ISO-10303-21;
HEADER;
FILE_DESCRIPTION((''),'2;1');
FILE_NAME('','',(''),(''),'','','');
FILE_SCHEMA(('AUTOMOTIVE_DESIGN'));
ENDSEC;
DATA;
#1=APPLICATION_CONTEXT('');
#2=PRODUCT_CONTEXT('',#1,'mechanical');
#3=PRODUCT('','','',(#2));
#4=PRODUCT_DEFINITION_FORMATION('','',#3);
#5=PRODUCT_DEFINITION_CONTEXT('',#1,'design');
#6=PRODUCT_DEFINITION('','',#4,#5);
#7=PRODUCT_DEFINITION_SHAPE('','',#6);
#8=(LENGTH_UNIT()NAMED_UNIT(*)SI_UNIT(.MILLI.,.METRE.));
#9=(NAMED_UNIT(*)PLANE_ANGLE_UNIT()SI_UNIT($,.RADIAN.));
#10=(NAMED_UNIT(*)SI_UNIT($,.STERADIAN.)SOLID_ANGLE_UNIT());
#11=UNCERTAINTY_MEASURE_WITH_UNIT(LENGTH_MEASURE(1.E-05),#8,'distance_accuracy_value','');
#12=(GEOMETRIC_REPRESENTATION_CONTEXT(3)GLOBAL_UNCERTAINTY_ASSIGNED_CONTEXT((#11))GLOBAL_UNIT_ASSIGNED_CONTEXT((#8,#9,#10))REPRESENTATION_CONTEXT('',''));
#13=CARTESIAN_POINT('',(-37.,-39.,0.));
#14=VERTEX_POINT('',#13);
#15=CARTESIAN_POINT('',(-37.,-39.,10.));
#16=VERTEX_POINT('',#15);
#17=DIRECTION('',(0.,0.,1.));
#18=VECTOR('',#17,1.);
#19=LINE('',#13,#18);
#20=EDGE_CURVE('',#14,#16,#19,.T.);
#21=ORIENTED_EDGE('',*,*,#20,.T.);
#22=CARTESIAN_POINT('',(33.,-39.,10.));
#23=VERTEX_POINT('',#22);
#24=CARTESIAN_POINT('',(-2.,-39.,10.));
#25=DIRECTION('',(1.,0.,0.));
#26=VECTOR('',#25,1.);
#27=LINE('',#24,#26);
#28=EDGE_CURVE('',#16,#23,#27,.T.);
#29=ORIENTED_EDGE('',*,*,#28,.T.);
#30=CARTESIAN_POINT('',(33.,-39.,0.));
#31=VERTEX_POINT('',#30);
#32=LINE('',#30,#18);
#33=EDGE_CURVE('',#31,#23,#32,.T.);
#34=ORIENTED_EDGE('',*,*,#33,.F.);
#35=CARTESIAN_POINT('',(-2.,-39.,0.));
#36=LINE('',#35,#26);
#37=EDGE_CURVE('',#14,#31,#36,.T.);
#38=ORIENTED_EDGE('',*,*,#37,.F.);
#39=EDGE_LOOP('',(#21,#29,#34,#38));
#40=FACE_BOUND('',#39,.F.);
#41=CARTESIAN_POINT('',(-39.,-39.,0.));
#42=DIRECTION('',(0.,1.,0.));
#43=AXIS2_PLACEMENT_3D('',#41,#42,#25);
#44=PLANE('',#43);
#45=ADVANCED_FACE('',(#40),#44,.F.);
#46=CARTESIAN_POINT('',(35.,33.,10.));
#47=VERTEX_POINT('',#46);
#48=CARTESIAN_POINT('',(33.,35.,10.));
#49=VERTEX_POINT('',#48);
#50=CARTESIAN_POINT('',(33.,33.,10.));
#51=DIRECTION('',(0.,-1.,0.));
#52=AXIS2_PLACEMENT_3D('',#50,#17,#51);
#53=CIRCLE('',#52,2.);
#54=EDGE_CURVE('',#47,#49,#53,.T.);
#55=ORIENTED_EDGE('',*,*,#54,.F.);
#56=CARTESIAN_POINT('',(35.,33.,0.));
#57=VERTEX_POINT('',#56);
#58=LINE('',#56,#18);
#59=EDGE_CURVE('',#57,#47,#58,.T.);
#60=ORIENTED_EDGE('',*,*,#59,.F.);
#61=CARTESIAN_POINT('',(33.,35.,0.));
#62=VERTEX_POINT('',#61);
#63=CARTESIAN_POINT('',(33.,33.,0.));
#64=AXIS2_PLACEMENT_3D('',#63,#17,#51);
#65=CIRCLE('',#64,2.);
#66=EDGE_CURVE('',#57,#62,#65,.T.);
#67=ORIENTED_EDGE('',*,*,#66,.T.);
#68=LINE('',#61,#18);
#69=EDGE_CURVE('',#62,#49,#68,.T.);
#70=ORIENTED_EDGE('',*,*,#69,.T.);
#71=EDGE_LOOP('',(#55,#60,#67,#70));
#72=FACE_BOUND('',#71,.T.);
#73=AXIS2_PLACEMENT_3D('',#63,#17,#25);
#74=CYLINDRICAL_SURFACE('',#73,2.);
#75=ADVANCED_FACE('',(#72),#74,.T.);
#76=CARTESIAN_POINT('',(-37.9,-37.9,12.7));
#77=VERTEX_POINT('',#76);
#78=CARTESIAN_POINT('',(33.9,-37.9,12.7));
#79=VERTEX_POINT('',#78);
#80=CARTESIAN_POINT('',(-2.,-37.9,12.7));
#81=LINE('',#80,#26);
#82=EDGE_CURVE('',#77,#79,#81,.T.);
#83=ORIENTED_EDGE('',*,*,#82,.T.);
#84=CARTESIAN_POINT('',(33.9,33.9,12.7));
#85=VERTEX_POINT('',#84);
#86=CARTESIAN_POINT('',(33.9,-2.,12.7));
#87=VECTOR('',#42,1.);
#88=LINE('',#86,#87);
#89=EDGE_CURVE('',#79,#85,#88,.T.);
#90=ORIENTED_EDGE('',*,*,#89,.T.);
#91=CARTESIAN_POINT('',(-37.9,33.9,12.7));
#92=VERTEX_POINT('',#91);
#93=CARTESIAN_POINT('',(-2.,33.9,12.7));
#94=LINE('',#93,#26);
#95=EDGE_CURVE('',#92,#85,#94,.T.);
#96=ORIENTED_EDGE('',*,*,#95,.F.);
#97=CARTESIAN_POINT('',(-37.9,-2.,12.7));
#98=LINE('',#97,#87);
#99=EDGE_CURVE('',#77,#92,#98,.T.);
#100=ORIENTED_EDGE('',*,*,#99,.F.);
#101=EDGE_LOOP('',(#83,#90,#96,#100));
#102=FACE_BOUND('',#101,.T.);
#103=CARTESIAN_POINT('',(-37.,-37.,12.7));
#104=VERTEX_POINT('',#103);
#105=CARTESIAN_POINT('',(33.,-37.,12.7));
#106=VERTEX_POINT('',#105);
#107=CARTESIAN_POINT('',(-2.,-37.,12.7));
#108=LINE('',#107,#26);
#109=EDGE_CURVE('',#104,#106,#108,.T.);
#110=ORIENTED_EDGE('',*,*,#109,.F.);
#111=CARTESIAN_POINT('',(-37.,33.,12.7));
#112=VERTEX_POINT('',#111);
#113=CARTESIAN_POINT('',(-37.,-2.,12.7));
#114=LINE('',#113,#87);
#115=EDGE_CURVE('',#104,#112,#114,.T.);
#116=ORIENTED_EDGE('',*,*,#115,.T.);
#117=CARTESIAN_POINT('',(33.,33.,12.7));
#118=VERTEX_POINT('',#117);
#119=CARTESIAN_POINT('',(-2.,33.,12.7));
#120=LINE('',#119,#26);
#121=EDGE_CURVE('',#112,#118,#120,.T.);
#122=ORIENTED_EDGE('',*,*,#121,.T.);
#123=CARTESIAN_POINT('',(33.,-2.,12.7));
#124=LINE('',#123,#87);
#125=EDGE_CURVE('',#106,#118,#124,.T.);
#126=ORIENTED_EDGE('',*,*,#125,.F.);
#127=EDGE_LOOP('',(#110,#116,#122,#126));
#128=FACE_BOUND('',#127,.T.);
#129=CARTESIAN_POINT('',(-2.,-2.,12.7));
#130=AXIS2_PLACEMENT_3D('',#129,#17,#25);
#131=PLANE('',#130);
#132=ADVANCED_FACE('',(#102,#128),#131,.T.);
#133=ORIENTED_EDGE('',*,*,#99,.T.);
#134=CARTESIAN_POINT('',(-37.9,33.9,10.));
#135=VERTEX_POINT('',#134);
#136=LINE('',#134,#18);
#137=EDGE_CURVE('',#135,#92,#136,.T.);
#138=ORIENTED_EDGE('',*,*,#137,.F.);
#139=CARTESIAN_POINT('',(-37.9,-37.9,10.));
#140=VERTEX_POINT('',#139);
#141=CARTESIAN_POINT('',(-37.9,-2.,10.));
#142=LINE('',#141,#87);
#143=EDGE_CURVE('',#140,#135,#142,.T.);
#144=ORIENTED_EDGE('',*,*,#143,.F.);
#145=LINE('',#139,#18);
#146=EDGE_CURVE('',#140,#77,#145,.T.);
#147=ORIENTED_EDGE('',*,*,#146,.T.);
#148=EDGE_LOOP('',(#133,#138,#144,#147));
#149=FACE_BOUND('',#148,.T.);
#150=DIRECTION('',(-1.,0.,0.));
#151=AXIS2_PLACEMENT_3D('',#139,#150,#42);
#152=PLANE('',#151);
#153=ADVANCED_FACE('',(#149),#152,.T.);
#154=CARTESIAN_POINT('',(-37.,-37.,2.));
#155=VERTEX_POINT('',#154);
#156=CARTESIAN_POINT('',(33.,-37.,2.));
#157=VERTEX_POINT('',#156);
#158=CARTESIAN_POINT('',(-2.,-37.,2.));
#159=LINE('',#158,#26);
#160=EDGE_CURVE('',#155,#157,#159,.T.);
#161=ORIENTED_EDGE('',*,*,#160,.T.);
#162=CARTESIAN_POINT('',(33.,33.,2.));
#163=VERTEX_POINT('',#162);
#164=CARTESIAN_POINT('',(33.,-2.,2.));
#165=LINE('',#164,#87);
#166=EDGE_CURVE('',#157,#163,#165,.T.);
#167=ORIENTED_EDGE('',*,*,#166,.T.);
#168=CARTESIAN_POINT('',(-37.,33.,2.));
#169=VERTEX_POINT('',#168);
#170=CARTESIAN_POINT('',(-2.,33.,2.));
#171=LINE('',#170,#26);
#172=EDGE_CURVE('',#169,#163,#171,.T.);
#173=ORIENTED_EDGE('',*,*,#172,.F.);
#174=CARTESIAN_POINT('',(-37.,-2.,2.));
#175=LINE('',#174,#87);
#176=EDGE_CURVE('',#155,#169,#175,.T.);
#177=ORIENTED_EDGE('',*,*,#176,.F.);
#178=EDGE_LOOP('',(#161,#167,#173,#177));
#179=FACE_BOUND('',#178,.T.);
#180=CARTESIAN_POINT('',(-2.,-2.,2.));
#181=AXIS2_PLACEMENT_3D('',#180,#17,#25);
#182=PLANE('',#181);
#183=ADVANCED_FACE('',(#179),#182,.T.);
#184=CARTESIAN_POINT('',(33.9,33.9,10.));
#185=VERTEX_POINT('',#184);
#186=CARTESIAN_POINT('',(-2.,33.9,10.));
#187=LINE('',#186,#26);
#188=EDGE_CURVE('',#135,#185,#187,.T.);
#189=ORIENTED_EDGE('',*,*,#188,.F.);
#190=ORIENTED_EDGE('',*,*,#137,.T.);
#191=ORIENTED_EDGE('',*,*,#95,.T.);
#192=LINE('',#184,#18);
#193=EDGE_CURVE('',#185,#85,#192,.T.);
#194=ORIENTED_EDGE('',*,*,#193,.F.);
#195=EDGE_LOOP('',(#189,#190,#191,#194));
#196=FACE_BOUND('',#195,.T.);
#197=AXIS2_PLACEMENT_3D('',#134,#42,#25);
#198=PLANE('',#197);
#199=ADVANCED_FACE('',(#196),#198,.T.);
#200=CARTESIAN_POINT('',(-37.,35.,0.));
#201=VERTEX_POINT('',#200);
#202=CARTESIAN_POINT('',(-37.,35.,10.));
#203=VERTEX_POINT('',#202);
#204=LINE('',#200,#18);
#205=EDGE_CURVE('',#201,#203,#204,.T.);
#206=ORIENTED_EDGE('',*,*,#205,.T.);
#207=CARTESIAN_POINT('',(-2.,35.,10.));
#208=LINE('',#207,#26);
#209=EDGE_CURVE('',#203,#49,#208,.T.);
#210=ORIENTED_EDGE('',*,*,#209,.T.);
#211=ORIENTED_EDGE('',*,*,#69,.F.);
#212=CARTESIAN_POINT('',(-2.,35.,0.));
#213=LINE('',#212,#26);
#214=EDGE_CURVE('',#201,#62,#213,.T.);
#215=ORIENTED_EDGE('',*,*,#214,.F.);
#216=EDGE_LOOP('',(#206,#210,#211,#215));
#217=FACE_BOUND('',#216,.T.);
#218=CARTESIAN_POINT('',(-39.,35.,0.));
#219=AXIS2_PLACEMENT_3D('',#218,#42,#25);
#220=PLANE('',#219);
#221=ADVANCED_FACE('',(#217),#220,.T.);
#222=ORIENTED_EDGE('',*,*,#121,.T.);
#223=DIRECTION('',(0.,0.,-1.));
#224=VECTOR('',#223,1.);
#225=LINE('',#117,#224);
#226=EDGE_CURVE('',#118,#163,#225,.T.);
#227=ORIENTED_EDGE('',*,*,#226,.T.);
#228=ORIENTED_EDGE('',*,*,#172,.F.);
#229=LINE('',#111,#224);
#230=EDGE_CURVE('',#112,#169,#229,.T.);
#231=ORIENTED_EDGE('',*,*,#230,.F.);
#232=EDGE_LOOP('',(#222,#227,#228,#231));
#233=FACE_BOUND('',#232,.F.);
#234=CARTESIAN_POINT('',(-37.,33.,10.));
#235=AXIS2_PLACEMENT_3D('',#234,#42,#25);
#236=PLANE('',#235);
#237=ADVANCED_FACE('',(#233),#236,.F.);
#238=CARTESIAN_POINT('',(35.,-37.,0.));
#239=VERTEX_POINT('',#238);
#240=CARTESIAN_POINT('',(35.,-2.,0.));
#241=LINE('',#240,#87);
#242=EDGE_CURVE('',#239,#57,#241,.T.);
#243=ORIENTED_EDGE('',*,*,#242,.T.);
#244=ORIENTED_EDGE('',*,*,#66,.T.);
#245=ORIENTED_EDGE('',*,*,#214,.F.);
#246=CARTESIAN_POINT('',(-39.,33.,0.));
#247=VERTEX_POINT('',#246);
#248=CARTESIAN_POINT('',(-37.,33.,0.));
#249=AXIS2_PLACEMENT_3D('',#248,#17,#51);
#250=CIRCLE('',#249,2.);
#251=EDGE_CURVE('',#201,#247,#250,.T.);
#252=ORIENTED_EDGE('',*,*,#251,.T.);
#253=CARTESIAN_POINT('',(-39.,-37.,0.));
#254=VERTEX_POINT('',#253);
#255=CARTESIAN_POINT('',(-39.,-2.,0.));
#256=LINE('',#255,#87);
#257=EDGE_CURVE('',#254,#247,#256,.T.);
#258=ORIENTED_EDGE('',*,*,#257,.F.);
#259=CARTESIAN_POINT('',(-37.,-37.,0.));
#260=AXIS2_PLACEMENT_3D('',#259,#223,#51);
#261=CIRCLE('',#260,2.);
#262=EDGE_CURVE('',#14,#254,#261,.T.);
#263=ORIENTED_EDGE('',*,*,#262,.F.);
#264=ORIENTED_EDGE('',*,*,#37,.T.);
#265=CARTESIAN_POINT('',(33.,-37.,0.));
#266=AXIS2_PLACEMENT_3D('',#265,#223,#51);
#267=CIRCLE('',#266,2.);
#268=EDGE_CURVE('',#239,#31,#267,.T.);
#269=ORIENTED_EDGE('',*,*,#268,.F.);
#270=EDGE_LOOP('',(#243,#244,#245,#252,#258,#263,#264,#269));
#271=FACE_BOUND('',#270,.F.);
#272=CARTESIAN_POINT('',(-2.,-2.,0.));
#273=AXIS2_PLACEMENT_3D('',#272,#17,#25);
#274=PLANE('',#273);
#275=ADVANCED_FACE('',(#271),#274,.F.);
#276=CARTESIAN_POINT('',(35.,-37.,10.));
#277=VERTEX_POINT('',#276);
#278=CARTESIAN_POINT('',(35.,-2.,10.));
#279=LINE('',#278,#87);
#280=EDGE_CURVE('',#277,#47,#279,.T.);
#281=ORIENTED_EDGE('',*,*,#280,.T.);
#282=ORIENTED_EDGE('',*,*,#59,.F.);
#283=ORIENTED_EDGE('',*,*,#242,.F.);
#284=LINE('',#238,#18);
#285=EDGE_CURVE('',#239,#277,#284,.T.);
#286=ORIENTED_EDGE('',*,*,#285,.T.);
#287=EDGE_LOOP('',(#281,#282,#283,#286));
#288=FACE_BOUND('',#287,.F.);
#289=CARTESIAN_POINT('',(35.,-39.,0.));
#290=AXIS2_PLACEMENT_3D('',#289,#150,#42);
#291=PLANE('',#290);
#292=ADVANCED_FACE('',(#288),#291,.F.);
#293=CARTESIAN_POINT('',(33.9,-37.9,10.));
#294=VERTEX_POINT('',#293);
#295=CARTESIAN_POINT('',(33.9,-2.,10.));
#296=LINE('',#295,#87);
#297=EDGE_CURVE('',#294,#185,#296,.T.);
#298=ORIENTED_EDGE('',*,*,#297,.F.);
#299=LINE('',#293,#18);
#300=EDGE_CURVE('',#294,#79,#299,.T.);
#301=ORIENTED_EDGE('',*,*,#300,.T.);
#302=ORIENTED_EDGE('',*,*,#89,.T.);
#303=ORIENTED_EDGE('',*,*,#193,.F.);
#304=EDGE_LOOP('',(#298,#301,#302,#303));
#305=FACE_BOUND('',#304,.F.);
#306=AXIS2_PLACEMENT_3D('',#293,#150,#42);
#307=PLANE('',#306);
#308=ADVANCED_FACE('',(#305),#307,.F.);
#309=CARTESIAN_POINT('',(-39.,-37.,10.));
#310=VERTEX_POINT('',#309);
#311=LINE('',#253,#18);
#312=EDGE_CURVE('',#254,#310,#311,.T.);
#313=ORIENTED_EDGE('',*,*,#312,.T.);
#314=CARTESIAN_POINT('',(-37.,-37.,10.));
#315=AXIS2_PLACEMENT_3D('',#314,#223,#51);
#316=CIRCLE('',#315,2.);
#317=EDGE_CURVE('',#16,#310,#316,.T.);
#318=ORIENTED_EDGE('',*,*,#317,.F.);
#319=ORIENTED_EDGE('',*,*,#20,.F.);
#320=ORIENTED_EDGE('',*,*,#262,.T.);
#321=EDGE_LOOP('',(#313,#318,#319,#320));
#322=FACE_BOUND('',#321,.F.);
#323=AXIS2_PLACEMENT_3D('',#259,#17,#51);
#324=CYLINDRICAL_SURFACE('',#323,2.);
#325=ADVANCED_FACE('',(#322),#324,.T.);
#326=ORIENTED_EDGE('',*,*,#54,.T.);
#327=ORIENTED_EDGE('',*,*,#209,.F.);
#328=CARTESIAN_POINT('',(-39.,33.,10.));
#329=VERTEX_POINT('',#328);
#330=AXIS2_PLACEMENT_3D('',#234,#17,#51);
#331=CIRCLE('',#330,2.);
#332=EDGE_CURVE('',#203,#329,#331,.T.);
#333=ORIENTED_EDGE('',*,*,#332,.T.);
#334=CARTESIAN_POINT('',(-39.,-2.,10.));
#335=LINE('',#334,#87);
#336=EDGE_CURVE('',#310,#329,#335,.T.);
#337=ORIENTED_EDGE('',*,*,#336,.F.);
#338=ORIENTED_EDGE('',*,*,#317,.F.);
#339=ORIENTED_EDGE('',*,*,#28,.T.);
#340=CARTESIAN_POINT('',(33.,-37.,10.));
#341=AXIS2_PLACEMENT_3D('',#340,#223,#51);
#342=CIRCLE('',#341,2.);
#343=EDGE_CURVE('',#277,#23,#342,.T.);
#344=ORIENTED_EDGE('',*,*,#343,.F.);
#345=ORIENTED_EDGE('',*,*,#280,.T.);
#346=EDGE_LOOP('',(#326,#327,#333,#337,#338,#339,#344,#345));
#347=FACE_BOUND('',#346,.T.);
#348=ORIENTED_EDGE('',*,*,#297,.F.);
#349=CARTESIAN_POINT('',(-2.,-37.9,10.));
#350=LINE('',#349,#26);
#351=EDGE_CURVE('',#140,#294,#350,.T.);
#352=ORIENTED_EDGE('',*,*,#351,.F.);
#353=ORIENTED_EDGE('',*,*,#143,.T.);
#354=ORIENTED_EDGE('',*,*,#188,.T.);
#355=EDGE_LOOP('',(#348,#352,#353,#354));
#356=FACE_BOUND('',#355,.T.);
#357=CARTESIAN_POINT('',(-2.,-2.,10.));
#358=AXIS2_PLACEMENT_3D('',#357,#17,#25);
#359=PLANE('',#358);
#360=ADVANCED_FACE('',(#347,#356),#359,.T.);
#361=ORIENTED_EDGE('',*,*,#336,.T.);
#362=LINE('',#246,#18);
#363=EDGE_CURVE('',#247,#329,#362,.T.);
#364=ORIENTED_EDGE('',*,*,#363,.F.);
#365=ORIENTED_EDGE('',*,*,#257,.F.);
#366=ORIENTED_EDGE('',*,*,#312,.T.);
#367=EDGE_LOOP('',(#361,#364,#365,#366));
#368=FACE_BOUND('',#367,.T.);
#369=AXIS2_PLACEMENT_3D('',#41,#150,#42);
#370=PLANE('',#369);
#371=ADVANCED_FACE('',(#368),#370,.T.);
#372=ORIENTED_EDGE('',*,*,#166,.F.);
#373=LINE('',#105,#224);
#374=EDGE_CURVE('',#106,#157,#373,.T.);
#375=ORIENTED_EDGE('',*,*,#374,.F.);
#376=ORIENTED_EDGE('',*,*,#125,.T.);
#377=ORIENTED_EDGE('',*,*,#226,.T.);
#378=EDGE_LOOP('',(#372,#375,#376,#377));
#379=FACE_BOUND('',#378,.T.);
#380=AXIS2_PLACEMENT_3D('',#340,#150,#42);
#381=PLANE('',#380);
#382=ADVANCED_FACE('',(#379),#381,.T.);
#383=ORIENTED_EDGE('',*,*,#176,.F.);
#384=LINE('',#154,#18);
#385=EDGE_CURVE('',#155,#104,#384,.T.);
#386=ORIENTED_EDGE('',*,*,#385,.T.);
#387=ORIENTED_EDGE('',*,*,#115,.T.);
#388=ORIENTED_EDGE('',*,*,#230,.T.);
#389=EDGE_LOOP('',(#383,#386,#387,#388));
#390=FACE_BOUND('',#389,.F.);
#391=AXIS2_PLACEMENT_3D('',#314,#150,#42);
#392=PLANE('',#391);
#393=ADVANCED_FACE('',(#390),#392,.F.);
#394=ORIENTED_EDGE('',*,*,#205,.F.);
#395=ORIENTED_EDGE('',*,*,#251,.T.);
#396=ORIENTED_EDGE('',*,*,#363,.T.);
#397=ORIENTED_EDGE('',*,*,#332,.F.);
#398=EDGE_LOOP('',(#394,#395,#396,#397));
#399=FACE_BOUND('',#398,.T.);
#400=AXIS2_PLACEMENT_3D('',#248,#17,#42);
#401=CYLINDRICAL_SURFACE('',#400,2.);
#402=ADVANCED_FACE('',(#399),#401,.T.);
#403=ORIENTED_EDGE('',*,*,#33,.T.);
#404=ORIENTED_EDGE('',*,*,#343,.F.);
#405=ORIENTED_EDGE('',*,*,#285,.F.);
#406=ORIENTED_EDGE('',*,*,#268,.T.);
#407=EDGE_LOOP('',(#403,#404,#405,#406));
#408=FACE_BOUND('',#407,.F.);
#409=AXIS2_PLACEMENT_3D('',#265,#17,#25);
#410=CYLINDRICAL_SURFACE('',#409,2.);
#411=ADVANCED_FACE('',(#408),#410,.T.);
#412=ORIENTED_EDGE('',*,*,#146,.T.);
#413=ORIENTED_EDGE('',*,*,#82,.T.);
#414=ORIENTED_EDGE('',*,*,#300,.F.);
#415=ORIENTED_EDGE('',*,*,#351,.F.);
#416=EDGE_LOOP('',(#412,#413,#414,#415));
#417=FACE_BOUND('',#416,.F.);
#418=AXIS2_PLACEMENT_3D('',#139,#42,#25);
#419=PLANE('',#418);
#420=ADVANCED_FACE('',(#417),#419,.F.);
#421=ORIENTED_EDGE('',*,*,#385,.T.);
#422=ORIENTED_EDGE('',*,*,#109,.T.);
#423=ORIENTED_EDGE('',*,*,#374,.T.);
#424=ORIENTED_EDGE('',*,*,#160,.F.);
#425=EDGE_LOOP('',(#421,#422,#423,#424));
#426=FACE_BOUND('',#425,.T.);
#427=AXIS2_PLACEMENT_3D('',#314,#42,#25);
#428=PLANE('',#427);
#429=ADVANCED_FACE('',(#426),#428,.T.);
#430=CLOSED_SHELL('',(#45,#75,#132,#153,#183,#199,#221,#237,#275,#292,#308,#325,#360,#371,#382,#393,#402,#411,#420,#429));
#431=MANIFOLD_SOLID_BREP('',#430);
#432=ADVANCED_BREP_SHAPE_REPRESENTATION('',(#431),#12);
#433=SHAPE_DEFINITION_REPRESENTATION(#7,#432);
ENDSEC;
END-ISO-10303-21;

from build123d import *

# Parameters (mm, degrees)
F0_W     = 74
F0_H     = 74
F0_W_2   = 70
F0_H_2   = 70
F1_DEPTH = 10
F2_DEPTH = 2
F3_W     = 71.8
F3_H     = 71.8
F3_W_2   = 70
F3_H_2   = 70
F4_DEPTH = 2.7
F5_R     = 2


with BuildPart() as f1:
    # F0 (on Top) → F1 (new body)
    with BuildSketch(Plane.XY):
        with Locations((-2, -2)):
            Rectangle(F0_W, F0_H)
        with Locations((-2, -2)):
            Rectangle(F0_W_2, F0_H_2, mode=Mode.SUBTRACT)
    extrude(amount=F1_DEPTH)

    # F0 (on Top) → F2 (join)
    with BuildSketch(Plane.XY):
        with Locations((-2, -2)):
            Rectangle(F0_W_2, F0_H_2)
    extrude(amount=F2_DEPTH)

    # F3 (on face) → F4 (join)
    with BuildSketch(Plane.XY.offset(10)):
        with Locations((-2, -2)):
            Rectangle(F3_W, F3_H)
        with Locations((-2, -2)):
            Rectangle(F3_W_2, F3_H_2, mode=Mode.SUBTRACT)
    extrude(amount=F4_DEPTH)

    # F5
    f5_edges = [f1.edges().sort_by_distance(p)[0] for p in [
        (-39, -39, 5),
        (35, -39, 5),
        (35, 35, 5),
        (-39, 35, 5),
    ]]
    fillet(f5_edges, radius=F5_R)


solid = f1.part
